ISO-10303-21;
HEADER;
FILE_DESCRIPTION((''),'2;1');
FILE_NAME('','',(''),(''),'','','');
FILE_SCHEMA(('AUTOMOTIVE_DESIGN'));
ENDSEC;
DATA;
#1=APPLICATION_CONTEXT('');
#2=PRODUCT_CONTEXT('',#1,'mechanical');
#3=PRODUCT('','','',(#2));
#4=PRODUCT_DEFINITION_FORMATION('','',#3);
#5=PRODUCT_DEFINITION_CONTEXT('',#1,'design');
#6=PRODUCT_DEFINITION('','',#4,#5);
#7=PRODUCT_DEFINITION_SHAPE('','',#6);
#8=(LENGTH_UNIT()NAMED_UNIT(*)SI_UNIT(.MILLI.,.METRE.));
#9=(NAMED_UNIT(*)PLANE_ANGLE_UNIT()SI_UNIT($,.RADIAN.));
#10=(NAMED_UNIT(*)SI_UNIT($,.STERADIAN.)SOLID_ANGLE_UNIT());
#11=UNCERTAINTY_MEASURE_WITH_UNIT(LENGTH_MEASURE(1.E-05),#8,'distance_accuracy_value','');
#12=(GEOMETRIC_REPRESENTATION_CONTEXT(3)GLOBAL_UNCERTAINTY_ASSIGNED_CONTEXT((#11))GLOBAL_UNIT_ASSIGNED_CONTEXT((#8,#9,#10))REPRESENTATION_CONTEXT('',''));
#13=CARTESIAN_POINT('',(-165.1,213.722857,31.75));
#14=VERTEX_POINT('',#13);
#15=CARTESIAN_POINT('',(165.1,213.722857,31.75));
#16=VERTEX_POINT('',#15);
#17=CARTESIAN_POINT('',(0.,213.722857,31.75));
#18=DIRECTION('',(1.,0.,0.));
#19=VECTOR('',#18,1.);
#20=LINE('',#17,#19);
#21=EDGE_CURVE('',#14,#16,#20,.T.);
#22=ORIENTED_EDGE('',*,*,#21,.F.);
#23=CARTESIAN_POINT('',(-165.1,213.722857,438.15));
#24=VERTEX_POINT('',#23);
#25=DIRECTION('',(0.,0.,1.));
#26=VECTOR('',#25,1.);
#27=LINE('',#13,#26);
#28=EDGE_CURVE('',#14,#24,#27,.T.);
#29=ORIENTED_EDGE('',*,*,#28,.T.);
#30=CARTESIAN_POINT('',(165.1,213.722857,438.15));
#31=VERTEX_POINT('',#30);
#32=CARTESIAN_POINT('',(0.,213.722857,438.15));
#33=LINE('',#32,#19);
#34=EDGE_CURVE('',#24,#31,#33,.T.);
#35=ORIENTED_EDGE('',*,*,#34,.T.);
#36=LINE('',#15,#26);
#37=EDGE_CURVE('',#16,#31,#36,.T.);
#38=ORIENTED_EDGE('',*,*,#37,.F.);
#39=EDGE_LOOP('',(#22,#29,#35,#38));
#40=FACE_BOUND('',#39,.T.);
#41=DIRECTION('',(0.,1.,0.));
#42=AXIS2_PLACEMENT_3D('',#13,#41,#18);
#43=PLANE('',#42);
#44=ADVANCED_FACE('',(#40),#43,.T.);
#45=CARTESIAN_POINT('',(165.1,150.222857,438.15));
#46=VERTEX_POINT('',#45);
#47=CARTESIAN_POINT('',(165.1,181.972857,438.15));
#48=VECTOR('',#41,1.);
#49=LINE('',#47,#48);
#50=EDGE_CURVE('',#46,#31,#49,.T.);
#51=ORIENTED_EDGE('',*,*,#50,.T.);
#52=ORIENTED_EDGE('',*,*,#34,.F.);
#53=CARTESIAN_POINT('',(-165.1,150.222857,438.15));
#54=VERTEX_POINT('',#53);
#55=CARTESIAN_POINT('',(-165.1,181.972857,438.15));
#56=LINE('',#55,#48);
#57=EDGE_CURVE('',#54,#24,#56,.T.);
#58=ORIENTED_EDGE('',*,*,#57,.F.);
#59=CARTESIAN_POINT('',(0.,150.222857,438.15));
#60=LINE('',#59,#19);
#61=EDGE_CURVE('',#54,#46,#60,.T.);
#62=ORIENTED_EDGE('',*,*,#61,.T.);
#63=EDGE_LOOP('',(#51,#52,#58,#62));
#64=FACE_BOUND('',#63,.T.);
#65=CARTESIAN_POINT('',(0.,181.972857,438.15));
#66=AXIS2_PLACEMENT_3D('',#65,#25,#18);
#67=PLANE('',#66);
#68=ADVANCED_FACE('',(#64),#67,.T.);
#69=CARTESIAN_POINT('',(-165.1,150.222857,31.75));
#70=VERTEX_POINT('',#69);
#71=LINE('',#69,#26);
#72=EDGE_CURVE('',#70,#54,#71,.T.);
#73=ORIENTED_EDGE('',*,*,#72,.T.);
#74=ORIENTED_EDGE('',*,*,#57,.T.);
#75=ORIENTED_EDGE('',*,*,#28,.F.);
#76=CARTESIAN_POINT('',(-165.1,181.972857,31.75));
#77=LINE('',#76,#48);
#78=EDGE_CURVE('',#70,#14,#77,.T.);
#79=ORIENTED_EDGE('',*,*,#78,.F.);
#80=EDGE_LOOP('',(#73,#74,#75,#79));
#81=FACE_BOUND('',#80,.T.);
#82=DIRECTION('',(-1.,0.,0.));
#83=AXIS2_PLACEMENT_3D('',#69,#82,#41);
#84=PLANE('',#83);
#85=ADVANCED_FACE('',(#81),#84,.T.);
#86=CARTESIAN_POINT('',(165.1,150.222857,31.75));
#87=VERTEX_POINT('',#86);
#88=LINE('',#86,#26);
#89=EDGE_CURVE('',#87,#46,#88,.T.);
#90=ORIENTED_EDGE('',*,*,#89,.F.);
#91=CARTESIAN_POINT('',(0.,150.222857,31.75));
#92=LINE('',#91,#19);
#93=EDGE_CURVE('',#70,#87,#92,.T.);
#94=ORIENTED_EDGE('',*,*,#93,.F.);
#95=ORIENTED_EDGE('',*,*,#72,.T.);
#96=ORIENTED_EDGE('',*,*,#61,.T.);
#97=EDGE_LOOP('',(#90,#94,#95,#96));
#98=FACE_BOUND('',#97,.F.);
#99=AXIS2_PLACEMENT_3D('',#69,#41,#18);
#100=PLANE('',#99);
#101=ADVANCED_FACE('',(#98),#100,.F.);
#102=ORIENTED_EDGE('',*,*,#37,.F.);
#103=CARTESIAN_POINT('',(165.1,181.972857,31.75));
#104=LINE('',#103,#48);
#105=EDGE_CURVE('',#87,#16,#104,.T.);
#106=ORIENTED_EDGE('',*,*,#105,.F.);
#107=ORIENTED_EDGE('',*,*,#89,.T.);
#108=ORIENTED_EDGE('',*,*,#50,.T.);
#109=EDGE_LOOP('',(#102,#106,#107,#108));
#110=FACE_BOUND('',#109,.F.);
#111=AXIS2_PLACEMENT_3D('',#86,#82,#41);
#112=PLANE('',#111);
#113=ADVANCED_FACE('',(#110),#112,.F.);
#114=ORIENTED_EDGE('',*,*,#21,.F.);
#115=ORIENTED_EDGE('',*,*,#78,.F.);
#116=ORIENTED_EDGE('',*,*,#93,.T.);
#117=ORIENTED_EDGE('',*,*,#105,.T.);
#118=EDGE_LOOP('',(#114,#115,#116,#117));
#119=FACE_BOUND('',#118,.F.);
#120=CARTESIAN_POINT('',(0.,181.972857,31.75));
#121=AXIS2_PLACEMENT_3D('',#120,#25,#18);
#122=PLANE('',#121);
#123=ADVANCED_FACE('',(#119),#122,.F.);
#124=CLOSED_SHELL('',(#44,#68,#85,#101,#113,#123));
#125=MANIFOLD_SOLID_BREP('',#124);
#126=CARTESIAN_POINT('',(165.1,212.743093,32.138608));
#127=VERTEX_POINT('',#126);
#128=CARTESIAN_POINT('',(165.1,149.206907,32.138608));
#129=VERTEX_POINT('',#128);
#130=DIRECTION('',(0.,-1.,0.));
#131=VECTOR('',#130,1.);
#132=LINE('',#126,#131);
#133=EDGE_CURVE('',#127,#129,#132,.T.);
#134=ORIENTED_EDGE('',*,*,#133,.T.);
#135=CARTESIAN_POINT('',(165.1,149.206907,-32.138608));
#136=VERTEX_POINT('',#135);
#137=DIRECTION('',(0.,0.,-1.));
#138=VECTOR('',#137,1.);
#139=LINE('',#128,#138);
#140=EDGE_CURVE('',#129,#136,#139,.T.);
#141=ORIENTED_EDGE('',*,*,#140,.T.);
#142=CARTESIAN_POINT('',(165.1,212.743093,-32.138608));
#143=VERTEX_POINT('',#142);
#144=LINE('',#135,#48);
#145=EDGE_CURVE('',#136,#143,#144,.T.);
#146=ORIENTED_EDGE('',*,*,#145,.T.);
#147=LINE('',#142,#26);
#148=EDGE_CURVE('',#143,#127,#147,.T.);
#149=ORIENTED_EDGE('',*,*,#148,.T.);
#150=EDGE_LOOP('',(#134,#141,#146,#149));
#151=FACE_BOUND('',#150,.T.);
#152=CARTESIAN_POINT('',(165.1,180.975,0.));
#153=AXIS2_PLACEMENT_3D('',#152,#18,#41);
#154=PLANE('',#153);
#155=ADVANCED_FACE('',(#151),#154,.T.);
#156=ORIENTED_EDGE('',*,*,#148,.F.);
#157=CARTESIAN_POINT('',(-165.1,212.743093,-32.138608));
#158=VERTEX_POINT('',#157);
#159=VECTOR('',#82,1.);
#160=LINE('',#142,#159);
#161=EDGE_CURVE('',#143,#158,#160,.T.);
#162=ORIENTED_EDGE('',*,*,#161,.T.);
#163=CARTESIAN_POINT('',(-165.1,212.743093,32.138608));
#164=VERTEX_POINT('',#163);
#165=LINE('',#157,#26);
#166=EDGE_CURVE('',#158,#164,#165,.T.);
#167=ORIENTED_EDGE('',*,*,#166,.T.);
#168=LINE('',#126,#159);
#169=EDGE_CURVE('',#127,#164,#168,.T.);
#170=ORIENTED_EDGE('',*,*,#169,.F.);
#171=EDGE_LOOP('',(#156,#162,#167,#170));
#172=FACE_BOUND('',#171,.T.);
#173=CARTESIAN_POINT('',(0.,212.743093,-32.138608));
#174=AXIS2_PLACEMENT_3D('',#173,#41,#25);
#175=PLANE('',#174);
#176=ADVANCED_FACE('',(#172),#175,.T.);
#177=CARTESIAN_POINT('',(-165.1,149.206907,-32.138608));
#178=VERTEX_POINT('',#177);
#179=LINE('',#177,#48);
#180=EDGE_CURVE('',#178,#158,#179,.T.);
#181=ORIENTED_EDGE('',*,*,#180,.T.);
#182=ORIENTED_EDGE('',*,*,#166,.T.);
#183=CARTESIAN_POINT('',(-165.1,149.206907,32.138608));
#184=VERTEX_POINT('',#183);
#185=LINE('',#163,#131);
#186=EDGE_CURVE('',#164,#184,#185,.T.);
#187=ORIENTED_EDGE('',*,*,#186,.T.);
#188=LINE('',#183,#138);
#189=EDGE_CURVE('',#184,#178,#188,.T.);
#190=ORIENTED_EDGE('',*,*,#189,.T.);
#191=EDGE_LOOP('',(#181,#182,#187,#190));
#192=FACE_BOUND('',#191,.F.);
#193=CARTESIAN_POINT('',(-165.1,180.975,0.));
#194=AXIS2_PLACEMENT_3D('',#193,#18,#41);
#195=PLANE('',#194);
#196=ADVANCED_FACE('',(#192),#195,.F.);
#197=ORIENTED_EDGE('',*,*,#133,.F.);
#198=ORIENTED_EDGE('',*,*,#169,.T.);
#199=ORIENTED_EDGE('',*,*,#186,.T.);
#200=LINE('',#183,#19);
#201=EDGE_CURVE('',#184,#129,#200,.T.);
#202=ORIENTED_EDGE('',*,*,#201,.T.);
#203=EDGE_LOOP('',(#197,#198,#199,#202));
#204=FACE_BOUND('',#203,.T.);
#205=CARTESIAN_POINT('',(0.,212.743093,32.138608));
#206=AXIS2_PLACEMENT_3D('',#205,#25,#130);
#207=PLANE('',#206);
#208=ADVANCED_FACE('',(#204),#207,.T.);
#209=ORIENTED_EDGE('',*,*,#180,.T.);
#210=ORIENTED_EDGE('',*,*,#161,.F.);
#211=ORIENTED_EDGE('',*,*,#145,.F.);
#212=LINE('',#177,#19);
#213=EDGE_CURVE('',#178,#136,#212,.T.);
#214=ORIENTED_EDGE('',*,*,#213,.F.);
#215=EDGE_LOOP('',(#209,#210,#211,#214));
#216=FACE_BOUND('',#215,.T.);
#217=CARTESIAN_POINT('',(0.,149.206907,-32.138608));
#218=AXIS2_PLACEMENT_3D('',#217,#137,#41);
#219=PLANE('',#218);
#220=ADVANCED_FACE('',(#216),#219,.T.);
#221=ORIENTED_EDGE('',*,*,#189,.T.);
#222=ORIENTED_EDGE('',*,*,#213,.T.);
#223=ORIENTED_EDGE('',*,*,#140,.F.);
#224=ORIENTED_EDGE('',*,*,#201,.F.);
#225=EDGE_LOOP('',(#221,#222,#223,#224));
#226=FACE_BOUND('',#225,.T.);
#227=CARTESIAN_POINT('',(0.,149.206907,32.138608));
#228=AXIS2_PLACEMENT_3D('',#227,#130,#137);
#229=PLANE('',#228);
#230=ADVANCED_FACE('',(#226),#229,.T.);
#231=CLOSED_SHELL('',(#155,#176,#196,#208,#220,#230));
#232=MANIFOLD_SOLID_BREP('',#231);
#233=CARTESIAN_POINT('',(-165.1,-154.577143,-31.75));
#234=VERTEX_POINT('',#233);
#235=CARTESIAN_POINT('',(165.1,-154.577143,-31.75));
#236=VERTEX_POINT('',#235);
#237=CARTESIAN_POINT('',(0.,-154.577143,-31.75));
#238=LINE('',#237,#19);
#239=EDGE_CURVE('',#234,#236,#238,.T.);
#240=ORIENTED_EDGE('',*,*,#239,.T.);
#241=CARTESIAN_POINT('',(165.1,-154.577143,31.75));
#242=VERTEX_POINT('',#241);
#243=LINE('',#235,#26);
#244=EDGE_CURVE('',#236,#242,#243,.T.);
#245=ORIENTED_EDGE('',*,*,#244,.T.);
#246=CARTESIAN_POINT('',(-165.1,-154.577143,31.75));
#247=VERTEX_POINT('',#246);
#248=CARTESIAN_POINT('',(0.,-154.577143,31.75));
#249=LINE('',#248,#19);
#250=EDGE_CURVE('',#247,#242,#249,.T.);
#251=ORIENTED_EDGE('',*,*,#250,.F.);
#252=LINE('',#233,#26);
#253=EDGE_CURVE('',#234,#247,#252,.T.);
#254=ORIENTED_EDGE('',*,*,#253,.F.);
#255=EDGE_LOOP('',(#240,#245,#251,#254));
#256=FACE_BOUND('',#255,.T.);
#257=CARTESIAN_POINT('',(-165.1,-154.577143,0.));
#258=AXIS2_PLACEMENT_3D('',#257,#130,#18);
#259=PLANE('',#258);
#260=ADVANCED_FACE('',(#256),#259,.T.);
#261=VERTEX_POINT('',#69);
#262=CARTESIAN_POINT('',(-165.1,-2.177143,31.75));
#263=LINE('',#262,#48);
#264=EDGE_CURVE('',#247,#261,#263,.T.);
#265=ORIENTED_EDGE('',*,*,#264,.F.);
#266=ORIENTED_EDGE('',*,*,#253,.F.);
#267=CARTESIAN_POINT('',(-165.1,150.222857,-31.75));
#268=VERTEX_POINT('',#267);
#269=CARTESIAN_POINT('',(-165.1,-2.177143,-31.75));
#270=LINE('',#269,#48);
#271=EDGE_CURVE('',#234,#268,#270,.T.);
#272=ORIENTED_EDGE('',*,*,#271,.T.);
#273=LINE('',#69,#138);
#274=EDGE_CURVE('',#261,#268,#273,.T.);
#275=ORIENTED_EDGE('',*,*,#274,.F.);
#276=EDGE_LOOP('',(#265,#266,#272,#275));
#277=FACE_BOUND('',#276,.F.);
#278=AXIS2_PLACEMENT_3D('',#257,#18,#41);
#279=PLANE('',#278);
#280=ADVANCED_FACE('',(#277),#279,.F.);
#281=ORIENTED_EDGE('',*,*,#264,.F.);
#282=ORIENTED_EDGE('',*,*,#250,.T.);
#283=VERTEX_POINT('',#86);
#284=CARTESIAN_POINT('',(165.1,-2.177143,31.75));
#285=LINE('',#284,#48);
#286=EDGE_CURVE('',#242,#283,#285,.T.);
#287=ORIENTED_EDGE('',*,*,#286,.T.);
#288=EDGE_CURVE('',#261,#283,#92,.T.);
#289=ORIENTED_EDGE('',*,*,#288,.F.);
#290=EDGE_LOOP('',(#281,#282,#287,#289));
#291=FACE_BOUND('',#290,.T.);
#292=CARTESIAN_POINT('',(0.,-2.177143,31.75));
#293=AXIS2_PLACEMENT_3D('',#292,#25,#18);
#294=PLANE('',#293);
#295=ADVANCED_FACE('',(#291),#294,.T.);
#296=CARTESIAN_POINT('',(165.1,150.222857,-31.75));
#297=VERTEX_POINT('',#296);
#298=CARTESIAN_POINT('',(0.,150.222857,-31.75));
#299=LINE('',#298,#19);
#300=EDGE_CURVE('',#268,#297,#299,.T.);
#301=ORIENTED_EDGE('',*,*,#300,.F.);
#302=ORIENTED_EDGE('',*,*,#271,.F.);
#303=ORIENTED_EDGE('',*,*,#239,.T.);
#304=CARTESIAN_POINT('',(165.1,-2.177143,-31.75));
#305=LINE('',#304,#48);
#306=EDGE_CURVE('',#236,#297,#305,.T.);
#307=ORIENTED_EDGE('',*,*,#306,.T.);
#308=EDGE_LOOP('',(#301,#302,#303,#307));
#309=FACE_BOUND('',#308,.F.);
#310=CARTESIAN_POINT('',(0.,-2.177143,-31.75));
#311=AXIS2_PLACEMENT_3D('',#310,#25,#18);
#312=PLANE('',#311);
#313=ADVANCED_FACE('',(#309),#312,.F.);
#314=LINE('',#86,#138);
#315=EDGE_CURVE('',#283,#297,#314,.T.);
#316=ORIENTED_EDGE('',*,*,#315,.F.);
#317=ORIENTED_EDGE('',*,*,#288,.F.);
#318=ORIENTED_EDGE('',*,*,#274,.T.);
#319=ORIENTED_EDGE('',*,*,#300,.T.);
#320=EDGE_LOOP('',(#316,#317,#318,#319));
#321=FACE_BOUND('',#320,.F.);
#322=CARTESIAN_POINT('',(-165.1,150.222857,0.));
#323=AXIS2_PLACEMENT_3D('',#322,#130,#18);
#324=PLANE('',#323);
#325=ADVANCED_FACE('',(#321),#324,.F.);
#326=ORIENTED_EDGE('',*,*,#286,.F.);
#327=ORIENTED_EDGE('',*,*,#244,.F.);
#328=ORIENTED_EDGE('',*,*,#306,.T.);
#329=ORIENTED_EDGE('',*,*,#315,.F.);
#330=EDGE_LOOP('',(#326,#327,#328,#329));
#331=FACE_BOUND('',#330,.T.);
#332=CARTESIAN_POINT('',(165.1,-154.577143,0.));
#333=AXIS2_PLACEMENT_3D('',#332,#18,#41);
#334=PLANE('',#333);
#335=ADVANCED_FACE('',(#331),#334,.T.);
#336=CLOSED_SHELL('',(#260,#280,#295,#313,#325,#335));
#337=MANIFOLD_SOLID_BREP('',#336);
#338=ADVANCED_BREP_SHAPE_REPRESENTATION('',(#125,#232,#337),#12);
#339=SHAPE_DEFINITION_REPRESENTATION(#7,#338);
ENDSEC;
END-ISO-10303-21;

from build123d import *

# Parameters (mm, degrees)
F0_W     = 330.2
F0_H     = 304.8
F1_DEPTH = 31.75
F2_W     = 330.2
F2_H     = 63.5
F3_DEPTH = 406.4
F5_DEPTH = 165.1


with BuildPart() as f1:
    # F0 (on Top) → F1 (new body, symmetric)
    with BuildSketch(Plane.XY):
        with Locations((0, -2.177143)):
            Rectangle(F0_W, F0_H)
    extrude(amount=F1_DEPTH, both=True)

    # F2 (on face) → F3 (join)
    with BuildSketch(Plane.XY.offset(31.75)):
        with Locations((0, 181.972857)):
            Rectangle(F2_W, F2_H)
    extrude(amount=F3_DEPTH)


with BuildPart() as f5:
    # F4 (on Right) → F5 (new body, symmetric)
    with BuildSketch(Plane.YZ):
        Polygon((212.743093, 32.138608), (149.206907, 32.138608), (149.206907, 0), (149.206907, -32.138608), (212.743093, -32.138608), align=None)
    extrude(amount=F5_DEPTH, both=True)


solid = Compound([f1.part, f5.part])
